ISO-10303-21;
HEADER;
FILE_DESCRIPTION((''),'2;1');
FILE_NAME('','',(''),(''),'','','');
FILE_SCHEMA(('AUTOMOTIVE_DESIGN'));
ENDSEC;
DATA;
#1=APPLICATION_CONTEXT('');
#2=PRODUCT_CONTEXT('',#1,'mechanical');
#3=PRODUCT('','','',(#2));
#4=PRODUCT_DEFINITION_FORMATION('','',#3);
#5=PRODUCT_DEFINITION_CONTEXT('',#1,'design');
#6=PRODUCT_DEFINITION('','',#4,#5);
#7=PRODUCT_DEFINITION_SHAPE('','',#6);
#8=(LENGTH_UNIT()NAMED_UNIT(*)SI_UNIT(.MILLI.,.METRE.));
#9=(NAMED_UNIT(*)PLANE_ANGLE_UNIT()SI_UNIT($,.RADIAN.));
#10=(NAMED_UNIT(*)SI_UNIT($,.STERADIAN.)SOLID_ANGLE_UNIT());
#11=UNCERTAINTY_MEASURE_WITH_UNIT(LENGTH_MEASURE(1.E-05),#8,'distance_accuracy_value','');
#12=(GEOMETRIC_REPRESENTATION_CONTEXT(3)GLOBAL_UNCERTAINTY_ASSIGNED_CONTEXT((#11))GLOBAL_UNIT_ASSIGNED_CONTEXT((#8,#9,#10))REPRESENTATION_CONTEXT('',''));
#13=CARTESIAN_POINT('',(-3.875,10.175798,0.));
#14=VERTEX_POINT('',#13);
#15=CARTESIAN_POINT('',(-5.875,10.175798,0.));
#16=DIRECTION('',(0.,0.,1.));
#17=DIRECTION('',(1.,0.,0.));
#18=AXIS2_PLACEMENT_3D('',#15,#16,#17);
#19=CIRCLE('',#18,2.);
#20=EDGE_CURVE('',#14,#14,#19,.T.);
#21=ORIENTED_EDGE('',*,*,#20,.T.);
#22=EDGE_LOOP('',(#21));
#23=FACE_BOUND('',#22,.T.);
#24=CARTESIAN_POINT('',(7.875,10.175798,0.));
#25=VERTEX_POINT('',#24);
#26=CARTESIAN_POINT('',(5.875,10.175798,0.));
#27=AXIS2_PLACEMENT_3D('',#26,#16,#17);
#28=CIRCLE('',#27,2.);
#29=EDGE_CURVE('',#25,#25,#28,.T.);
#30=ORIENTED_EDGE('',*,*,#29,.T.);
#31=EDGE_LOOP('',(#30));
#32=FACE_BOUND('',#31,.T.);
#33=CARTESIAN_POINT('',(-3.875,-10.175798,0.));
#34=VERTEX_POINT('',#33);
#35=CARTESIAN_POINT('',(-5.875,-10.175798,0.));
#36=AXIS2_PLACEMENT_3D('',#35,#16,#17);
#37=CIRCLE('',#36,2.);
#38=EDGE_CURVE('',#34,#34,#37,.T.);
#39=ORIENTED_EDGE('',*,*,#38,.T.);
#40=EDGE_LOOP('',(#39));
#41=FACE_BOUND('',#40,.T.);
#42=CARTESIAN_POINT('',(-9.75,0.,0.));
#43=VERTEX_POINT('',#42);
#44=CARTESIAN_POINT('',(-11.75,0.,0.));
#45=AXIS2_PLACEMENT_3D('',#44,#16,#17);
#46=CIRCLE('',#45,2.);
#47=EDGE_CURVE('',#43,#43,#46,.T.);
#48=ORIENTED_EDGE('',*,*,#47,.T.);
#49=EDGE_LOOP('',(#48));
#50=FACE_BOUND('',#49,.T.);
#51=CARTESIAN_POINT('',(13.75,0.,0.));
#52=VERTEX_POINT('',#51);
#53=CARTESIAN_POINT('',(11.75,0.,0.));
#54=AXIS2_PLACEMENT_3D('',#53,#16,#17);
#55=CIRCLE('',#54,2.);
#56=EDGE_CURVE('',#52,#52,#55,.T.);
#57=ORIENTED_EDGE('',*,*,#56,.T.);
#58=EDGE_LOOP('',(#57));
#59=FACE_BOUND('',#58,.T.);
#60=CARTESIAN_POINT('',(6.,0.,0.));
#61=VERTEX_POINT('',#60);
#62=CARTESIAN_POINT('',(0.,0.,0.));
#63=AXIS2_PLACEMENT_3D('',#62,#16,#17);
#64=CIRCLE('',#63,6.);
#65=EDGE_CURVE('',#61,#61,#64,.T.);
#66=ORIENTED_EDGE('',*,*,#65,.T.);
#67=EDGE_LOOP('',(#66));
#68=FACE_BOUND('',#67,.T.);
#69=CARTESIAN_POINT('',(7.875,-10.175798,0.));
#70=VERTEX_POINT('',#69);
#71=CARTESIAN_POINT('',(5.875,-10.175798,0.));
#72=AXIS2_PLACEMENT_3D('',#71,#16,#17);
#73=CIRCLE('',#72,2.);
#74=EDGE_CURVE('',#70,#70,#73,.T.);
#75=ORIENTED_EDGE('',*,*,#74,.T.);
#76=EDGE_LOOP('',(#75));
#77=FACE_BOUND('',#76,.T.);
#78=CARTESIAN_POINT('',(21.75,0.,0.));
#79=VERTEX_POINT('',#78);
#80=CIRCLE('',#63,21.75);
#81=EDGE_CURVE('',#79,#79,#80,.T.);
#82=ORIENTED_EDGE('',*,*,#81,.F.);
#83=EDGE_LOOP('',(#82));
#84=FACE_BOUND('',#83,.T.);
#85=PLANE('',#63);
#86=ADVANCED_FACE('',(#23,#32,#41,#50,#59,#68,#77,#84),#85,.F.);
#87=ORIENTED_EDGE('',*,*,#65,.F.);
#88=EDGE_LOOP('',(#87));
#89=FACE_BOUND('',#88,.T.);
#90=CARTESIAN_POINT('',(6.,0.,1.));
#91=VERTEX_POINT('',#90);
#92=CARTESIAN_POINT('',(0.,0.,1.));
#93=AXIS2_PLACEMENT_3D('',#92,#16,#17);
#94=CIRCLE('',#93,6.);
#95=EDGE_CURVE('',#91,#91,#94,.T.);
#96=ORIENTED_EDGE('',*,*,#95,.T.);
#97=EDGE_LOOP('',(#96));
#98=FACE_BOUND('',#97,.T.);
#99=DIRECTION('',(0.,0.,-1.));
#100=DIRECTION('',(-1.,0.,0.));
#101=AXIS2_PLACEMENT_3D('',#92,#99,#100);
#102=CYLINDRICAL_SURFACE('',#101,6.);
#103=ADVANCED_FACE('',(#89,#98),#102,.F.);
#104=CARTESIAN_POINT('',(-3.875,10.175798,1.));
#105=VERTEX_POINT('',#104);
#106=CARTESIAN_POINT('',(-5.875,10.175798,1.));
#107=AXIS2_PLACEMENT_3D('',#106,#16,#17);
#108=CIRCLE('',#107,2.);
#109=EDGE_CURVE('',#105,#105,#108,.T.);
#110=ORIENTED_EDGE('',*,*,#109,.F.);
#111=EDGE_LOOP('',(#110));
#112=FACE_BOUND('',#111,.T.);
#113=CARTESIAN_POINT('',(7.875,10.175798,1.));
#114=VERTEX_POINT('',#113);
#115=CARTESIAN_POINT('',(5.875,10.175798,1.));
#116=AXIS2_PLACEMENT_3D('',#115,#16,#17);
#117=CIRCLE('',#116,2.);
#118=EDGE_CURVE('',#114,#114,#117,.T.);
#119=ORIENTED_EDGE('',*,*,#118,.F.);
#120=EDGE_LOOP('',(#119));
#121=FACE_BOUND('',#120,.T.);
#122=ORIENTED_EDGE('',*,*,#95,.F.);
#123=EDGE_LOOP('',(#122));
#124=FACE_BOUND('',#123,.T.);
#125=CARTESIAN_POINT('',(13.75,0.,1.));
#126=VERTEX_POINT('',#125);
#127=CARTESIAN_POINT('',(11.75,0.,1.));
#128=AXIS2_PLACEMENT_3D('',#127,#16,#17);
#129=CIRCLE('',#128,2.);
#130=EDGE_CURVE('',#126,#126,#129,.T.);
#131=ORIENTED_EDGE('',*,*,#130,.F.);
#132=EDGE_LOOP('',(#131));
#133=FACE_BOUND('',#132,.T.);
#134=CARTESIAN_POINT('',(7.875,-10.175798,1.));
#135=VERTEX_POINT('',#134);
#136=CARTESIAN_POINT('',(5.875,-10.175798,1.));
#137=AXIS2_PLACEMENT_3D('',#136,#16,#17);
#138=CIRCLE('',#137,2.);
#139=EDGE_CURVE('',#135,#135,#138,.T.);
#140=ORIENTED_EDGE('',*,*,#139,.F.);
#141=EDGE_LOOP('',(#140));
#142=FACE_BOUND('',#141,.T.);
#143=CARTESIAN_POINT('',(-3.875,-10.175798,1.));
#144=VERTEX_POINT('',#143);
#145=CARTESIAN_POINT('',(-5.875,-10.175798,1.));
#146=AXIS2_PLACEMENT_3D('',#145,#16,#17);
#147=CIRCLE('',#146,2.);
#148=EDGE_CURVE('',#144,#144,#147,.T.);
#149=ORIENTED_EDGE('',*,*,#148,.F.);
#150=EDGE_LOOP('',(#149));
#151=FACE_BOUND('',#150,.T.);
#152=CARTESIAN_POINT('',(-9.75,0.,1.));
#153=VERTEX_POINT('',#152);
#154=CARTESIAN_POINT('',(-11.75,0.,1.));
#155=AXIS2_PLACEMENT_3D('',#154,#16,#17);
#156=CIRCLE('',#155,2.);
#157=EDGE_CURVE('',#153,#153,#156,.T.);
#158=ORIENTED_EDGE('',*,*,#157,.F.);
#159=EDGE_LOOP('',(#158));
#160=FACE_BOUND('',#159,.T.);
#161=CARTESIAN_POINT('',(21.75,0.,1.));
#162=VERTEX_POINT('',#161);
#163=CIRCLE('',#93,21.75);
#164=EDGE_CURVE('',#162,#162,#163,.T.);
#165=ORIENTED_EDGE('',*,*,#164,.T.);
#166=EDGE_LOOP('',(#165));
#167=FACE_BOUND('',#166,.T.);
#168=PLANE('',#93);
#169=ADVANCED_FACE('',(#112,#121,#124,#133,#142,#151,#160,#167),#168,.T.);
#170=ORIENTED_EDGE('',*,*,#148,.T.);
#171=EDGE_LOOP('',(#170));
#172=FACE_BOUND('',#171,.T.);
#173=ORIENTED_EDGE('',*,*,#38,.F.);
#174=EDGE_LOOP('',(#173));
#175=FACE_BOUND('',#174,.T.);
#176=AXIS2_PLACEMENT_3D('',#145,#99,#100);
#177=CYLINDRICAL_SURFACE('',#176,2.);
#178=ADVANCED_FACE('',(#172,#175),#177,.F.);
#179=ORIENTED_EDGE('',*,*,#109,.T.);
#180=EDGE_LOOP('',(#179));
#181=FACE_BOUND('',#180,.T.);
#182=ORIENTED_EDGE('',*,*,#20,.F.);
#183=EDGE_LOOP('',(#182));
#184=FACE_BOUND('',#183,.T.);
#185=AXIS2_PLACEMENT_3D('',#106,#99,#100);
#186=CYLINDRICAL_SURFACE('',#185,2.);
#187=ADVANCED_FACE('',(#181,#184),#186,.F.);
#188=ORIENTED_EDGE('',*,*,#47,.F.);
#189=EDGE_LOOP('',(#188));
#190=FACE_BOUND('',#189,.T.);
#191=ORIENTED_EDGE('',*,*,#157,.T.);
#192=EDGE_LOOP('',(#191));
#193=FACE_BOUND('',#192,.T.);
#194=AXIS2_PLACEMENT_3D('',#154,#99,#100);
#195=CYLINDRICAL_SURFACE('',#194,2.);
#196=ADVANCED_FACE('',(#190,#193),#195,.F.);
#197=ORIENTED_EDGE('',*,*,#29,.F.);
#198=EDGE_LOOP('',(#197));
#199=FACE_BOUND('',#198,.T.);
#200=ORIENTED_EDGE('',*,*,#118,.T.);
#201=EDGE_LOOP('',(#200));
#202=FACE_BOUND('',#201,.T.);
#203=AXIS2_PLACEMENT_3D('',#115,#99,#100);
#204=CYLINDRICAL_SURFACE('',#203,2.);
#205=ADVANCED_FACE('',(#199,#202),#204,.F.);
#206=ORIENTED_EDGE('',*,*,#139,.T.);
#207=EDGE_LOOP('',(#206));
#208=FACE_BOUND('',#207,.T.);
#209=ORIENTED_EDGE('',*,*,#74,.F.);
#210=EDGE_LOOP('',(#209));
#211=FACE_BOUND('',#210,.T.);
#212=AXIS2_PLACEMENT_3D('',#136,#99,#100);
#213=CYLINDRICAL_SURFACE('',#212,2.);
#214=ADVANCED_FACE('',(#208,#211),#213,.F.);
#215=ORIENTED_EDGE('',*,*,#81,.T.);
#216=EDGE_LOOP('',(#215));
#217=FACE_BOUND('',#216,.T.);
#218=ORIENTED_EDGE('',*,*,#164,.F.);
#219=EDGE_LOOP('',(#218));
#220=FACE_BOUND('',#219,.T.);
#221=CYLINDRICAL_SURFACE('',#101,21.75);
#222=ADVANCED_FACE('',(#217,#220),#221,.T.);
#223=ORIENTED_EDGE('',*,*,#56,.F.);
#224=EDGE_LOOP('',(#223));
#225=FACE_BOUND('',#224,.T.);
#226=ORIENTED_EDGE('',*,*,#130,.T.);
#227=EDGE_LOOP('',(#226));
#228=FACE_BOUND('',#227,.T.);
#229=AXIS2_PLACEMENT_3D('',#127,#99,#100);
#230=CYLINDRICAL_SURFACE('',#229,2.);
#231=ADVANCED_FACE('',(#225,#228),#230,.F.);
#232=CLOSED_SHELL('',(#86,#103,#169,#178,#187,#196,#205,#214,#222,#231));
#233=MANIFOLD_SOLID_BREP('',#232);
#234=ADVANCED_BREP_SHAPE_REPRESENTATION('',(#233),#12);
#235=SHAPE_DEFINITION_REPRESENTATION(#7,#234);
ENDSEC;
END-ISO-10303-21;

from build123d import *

# Parameters (mm, degrees)
SKIZZE1_R                       = 21.75
SKIZZE1_R_2                     = 2
SKIZZE1_R_3                     = 6
AUFSATZ_LINEAR_AUSTRAGEN1_DEPTH = 1


with BuildPart() as part:
    # Skizze1 → Aufsatz-Linear austragen1 (new body)
    with BuildSketch(Plane.XY):
        Circle(SKIZZE1_R)
        with Locations((11.75, 0)):
            Circle(SKIZZE1_R_2, mode=Mode.SUBTRACT)
        with Locations((5.875, -10.175798494)):
            Circle(SKIZZE1_R_2, mode=Mode.SUBTRACT)
        with Locations((-5.875, -10.175798494)):
            Circle(SKIZZE1_R_2, mode=Mode.SUBTRACT)
        with Locations((-11.75, 0)):
            Circle(SKIZZE1_R_2, mode=Mode.SUBTRACT)
        with Locations((-5.875, 10.175798494)):
            Circle(SKIZZE1_R_2, mode=Mode.SUBTRACT)
        with Locations((5.875, 10.175798494)):
            Circle(SKIZZE1_R_2, mode=Mode.SUBTRACT)
        Circle(SKIZZE1_R_3, mode=Mode.SUBTRACT)
    extrude(amount=AUFSATZ_LINEAR_AUSTRAGEN1_DEPTH)


solid = part.part
